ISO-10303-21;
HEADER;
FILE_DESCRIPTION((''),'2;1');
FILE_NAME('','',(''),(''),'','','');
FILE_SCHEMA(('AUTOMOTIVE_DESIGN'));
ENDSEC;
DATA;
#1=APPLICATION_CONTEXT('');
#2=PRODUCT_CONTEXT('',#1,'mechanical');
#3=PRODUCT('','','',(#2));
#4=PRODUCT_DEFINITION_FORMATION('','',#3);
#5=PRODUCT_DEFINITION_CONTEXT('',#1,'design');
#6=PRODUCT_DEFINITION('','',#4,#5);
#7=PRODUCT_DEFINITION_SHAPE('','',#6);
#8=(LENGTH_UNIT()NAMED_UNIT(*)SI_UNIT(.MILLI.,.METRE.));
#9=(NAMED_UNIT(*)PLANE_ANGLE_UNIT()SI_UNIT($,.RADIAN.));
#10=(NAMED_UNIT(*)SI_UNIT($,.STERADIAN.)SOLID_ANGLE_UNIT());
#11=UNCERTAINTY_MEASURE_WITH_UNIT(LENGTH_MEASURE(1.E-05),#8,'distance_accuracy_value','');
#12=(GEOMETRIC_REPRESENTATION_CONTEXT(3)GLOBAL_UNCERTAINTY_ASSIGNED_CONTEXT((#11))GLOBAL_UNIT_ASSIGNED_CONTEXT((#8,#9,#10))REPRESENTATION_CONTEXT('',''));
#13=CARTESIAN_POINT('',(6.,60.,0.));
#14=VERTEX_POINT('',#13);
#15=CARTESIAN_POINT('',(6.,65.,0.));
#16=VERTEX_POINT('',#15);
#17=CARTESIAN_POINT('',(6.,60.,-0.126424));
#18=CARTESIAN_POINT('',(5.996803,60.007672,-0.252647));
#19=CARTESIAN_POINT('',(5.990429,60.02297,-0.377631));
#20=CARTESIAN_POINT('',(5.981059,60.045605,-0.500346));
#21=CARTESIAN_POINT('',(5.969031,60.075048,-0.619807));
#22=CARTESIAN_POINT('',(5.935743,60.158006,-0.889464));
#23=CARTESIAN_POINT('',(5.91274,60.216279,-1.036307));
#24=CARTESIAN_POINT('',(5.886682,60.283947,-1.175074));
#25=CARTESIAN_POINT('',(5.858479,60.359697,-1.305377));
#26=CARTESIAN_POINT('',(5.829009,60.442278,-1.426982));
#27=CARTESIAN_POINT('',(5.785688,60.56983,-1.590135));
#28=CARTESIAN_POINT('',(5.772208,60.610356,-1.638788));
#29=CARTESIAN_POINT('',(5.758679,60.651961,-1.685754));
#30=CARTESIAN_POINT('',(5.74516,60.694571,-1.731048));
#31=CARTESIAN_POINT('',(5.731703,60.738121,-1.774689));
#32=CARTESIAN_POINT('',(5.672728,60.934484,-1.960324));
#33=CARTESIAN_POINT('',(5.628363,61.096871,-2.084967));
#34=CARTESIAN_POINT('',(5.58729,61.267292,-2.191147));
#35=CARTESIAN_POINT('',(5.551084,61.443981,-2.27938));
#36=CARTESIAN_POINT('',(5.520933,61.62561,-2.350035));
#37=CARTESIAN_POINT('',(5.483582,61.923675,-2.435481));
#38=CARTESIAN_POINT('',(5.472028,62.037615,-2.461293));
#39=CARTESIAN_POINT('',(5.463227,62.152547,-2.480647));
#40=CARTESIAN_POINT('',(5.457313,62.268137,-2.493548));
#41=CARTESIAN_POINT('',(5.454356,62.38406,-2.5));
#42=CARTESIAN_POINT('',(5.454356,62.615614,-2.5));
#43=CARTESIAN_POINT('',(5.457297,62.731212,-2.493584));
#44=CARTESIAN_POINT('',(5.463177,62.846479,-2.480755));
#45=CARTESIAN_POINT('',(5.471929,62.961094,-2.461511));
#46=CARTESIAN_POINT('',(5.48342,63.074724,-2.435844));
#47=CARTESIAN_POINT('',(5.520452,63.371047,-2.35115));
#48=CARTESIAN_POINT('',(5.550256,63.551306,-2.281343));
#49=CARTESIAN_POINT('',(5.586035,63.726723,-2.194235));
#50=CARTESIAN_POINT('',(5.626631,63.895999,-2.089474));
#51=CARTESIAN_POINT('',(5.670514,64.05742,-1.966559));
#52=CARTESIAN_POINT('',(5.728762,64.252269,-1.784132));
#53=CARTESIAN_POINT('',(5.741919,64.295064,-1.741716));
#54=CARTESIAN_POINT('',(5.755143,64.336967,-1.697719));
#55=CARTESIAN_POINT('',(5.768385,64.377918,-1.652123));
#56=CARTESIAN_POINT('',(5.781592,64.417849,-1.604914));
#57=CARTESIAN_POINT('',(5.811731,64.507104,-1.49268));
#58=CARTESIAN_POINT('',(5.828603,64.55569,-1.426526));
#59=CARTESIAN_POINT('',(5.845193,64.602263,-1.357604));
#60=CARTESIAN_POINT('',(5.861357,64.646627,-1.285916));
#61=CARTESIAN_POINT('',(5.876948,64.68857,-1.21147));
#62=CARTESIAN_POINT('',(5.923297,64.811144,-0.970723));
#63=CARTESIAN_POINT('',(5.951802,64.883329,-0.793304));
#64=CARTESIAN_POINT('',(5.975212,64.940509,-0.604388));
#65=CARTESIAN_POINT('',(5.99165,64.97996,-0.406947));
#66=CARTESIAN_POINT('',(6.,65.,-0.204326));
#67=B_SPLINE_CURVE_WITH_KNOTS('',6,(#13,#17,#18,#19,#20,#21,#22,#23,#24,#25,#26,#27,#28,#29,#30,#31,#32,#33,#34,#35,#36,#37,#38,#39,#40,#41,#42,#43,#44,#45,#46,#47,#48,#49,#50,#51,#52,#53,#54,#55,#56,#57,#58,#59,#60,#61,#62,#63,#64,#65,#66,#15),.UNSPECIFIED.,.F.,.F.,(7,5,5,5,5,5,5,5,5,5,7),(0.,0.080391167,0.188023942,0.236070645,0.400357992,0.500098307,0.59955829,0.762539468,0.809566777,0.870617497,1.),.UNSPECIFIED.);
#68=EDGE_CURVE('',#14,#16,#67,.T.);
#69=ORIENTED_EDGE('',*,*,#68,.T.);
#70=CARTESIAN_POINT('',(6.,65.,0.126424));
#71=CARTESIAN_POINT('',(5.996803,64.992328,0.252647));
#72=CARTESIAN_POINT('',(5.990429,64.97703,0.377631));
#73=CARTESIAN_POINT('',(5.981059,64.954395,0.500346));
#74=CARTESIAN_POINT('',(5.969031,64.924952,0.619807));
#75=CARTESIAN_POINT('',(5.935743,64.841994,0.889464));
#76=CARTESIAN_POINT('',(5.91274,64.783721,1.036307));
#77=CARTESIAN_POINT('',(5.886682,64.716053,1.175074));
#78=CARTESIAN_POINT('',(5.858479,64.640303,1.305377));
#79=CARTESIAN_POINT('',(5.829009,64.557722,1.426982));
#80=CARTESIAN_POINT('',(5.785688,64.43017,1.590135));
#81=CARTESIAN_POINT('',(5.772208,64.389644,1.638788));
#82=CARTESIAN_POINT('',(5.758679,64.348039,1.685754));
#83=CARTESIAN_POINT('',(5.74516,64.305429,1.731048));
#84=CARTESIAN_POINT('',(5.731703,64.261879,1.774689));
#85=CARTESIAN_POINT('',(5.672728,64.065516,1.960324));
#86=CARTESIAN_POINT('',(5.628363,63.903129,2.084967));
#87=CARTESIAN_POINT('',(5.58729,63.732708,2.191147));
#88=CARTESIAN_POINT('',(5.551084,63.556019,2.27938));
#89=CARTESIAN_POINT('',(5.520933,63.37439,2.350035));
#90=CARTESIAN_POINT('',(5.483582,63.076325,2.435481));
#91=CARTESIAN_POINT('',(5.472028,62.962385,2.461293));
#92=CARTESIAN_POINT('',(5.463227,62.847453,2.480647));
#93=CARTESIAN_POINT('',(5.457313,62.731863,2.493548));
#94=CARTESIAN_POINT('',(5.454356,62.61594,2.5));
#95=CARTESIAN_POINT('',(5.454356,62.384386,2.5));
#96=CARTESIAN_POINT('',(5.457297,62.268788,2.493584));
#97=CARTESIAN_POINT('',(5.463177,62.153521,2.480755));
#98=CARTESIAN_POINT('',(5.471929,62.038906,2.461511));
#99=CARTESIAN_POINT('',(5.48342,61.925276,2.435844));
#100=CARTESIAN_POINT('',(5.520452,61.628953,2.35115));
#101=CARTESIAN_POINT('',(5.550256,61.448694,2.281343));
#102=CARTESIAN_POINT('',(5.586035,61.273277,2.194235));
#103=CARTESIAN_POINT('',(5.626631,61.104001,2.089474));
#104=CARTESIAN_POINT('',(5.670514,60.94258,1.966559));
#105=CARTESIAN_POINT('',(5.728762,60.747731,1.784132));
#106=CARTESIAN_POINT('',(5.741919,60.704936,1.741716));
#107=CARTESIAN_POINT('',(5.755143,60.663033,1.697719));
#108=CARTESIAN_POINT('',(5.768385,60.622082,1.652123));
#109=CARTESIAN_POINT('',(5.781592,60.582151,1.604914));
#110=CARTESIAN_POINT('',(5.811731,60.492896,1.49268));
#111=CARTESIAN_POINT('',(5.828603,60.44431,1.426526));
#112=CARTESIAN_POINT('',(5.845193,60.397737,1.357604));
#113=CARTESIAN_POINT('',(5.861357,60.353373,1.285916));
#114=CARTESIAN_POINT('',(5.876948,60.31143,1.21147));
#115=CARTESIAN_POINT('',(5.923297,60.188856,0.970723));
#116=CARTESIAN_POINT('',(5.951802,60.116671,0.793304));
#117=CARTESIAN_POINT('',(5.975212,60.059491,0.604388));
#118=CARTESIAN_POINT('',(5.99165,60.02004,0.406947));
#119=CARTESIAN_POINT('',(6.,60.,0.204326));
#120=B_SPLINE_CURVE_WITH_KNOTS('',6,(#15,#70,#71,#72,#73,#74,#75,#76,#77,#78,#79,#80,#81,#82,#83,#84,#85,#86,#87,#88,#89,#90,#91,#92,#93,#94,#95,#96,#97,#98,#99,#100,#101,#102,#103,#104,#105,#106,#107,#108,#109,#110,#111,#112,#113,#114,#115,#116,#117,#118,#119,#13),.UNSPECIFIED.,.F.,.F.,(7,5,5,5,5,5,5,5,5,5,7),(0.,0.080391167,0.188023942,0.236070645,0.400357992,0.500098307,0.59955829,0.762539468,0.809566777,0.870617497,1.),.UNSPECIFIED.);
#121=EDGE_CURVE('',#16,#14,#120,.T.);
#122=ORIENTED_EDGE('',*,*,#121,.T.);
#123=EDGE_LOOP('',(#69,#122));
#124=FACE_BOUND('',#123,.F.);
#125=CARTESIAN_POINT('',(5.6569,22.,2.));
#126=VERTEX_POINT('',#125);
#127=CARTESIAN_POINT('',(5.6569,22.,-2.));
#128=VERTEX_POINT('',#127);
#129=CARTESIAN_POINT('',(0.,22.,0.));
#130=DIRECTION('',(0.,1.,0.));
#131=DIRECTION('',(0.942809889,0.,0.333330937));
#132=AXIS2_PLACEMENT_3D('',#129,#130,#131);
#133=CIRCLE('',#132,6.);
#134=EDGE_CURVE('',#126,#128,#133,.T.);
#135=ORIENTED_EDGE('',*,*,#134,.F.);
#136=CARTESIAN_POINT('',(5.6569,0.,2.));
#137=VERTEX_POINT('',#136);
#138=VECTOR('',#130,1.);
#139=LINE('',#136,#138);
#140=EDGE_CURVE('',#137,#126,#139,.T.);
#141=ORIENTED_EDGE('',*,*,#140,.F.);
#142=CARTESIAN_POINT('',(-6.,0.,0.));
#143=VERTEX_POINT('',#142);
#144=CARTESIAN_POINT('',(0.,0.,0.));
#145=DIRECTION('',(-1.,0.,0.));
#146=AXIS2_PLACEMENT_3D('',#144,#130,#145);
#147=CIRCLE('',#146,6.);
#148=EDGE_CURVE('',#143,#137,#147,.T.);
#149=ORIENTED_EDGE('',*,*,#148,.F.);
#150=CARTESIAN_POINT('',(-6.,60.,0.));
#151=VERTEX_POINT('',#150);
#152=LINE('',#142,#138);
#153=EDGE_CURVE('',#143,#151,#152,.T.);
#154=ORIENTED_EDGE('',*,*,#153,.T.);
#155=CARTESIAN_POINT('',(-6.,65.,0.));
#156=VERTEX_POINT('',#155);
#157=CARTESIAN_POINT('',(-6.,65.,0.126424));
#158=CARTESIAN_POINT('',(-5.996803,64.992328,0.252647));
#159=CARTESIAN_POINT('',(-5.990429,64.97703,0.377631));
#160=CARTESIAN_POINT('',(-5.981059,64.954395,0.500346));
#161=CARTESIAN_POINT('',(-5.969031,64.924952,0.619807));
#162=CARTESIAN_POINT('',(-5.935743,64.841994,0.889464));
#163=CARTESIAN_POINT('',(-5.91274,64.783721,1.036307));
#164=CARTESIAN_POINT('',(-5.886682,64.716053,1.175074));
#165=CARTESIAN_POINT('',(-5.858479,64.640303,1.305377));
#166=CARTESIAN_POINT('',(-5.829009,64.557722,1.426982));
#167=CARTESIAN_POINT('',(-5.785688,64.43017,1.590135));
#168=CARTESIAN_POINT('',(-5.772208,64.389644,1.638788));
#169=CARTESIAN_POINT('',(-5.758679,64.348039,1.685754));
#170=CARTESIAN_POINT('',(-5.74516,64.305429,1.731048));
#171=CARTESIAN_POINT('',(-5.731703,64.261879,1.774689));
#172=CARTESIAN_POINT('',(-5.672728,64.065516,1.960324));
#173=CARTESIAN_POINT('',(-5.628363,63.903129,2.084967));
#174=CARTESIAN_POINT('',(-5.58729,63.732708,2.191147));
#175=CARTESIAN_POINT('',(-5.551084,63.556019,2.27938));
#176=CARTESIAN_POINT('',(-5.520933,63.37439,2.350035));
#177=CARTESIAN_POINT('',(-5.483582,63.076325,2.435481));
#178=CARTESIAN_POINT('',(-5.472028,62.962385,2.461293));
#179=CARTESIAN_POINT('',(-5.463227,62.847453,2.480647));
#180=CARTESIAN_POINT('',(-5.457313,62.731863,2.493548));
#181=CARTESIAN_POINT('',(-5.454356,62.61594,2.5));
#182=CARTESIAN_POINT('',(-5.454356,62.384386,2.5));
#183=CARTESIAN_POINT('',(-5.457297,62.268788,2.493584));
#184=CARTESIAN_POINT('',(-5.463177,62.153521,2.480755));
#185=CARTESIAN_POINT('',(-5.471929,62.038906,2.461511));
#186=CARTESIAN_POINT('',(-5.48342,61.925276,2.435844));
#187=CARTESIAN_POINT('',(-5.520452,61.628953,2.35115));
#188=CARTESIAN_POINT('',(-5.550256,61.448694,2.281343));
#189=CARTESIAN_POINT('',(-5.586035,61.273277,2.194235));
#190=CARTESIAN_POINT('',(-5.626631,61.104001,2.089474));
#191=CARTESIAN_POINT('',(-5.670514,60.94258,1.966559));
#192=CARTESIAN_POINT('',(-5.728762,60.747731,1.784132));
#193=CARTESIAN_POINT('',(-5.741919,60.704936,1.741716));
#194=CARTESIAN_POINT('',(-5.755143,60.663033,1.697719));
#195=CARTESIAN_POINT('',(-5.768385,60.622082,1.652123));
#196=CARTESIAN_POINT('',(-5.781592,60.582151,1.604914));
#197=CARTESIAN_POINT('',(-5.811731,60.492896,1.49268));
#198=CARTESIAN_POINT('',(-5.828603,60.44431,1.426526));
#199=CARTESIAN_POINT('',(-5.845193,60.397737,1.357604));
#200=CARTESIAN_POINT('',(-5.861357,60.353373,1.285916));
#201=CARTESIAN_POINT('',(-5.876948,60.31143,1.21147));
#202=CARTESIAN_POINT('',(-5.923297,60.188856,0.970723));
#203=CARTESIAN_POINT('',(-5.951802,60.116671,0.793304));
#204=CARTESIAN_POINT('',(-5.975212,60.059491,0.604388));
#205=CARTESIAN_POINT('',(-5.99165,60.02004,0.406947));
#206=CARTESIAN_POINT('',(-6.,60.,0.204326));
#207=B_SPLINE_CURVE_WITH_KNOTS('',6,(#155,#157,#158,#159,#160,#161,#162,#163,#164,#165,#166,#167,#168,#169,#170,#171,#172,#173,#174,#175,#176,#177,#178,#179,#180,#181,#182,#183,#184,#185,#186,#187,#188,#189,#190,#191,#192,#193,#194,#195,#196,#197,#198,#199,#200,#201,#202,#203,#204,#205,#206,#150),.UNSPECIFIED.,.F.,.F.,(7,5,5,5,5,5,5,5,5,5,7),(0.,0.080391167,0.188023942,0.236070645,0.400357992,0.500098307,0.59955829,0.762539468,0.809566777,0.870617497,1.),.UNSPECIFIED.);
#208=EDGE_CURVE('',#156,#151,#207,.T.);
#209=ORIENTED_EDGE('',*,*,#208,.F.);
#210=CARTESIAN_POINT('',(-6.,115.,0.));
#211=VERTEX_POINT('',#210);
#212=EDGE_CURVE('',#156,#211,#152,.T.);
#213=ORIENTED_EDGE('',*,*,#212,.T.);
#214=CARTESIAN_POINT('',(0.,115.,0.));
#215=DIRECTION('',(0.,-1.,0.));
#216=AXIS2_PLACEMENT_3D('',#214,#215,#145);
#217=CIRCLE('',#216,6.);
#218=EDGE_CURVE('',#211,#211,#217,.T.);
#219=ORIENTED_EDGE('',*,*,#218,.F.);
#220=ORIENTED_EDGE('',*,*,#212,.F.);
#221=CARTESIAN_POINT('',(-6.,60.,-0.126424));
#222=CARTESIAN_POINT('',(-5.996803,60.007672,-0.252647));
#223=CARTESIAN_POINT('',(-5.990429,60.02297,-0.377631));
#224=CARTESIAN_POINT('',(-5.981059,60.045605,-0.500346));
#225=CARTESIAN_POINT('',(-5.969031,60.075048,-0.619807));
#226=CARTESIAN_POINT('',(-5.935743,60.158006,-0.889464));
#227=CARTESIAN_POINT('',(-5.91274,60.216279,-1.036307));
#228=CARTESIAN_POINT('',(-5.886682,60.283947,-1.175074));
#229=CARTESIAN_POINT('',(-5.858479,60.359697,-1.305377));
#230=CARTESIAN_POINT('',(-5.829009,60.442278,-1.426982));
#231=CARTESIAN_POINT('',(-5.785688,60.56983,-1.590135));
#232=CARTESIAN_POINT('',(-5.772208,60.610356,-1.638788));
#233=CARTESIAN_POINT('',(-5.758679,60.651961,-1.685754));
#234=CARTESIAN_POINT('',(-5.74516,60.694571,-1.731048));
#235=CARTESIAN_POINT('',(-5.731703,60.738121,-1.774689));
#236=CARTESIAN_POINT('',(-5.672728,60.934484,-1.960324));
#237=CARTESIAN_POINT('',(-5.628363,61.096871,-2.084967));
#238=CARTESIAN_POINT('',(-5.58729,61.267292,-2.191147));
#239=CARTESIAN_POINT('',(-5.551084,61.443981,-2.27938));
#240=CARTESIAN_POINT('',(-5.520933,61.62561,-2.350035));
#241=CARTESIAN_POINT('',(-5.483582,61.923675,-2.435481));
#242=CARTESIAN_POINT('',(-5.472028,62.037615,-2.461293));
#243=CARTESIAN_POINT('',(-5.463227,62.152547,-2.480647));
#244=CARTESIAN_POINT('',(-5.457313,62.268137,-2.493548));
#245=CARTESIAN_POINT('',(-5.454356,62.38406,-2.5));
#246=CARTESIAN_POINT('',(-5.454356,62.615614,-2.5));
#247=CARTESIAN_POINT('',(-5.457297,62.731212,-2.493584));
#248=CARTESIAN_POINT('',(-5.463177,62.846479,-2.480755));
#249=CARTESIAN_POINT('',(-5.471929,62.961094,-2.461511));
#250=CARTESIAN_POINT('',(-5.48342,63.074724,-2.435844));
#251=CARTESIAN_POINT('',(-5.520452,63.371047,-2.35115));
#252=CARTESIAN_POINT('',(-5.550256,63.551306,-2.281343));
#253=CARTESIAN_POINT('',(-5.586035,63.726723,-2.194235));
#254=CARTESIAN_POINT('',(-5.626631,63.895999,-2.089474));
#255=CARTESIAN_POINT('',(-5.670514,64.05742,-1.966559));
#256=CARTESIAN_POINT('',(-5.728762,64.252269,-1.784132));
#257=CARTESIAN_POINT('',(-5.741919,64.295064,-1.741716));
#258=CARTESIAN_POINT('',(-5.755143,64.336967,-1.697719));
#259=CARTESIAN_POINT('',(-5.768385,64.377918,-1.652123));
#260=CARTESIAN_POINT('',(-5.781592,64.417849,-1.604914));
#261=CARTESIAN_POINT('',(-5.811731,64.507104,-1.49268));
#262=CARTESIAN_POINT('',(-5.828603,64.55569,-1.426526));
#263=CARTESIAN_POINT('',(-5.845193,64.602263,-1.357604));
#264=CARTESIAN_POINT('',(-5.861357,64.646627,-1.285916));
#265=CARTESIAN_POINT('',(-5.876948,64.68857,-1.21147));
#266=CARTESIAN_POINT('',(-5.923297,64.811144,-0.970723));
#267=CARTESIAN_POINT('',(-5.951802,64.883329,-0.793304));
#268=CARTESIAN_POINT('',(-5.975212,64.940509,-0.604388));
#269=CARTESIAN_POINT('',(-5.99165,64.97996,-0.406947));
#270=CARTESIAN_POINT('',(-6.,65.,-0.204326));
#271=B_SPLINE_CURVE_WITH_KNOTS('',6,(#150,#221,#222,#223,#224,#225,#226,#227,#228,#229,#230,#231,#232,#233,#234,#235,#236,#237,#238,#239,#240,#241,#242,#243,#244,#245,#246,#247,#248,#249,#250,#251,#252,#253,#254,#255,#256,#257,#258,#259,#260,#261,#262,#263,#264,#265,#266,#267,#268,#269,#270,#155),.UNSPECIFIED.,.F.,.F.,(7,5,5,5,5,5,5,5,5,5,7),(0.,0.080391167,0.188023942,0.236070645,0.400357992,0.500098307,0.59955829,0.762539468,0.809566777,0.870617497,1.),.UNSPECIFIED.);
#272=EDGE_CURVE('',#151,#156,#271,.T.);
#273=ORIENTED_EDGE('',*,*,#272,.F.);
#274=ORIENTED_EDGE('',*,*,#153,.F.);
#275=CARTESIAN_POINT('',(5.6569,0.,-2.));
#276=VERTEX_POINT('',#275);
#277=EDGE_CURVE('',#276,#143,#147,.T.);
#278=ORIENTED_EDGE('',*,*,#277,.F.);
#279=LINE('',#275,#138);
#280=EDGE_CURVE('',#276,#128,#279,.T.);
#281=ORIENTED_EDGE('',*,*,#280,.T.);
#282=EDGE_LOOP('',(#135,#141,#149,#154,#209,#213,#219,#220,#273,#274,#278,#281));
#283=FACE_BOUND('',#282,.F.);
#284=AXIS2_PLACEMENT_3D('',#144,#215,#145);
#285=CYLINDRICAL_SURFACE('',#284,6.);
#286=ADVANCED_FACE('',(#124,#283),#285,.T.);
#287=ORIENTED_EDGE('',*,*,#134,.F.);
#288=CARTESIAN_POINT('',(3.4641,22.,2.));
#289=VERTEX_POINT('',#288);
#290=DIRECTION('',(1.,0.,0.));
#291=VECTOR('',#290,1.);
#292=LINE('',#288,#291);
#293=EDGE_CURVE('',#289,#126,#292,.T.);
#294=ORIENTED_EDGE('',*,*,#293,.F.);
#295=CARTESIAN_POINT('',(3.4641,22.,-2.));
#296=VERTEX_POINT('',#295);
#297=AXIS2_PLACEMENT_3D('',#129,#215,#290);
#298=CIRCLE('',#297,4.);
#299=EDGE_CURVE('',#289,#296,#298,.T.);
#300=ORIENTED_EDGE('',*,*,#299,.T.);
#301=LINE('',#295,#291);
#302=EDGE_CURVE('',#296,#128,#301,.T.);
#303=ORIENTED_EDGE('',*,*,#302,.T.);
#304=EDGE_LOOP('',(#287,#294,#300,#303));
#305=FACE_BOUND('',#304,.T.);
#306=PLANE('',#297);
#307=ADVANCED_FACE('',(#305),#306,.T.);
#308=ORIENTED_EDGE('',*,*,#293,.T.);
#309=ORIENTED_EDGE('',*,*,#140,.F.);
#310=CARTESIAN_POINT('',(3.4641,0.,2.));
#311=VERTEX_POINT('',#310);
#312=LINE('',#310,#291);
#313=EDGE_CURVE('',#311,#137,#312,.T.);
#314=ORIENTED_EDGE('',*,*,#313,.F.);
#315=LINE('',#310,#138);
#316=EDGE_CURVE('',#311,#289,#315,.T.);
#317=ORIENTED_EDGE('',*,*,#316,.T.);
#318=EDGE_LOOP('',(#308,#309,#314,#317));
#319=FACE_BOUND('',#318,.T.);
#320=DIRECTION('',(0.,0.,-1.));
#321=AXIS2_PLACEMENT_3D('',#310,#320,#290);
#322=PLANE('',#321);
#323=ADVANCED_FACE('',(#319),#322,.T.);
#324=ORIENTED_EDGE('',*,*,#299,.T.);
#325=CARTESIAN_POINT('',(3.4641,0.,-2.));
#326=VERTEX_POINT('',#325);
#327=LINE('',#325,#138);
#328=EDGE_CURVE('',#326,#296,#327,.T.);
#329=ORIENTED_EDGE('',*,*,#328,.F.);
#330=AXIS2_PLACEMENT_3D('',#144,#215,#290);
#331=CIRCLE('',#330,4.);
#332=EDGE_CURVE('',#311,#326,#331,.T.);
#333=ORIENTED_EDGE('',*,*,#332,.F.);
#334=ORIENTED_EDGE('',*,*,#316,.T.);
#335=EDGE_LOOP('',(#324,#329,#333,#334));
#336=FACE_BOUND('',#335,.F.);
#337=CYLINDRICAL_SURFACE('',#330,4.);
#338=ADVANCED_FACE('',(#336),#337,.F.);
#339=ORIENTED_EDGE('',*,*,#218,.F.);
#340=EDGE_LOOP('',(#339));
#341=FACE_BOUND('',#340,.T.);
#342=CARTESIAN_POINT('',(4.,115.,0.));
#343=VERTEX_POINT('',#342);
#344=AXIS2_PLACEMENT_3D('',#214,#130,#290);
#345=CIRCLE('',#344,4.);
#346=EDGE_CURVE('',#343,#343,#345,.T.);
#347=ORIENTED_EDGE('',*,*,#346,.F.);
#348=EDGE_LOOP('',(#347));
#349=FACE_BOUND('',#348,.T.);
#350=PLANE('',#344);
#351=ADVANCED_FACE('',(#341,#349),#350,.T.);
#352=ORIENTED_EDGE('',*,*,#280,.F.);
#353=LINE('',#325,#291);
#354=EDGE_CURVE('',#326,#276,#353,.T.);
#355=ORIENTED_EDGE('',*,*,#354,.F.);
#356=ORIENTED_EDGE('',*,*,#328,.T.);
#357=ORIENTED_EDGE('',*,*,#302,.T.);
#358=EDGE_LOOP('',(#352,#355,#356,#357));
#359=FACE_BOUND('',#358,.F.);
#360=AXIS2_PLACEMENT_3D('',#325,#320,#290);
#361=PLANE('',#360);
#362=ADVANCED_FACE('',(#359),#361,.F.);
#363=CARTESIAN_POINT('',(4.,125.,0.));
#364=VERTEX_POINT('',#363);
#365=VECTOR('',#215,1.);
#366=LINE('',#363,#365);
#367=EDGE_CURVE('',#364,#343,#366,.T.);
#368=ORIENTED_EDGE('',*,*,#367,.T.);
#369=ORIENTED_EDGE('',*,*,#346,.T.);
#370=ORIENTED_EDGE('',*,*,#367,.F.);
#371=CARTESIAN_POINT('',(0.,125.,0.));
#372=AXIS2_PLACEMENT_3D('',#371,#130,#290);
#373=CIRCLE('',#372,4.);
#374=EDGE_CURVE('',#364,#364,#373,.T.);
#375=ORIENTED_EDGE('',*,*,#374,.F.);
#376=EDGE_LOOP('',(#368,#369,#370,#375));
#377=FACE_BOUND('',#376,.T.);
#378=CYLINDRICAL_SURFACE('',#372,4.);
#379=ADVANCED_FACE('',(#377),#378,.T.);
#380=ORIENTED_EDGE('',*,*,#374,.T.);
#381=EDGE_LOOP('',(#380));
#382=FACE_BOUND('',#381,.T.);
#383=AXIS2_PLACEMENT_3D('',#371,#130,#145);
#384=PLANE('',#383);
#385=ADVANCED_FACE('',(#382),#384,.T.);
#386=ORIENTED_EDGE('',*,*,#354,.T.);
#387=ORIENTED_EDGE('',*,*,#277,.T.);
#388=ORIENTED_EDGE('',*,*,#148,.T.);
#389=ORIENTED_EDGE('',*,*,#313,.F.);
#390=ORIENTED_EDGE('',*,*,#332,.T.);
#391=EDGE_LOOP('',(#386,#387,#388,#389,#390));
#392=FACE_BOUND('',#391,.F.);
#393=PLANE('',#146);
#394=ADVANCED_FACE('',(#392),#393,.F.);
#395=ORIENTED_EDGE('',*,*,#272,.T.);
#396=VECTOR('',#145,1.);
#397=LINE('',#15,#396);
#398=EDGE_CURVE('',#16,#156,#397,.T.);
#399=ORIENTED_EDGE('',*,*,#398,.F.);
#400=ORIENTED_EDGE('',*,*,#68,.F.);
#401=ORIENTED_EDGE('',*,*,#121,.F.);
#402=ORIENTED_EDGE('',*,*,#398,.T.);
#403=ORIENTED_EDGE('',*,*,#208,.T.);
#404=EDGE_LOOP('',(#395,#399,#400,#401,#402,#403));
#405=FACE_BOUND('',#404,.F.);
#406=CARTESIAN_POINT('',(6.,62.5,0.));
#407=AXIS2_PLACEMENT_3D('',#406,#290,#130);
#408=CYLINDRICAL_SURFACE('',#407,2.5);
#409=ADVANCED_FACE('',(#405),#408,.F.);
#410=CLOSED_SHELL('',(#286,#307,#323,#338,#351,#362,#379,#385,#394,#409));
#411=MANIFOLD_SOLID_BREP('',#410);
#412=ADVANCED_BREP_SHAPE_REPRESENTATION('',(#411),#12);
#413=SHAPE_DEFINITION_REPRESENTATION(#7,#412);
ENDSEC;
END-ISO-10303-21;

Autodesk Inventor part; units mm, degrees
ref_plane "XZ Plane" through (0, 0, 0) normal (0, 1, 0) x (-1, 0, 0)
ref_plane "XY Plane" through (0, 0, 0) normal (0, 0, 1) x (1, 0, 0)
sketch "スケッチ1" plane through (0, 0, 0) normal (0, 1, 0) x (-1, 0, 0)
  circle A0 centre (0, 0) radius 6
  dimension "d0" = 12
extrude "押し出し1" add sketch "スケッチ1" along normal blind 125
ref_plane "作業平面1" through (6, 0, 0) normal (1, 0, 0) x (0, 1, 0)
sketch "スケッチ2" plane through (6, 0, 0) normal (1, 0, 0) x (0, 1, 0)
  circle A0 centre (62.5, 0) radius 2.5
  line L0 (125, -6) -> (125, 6) projected
  line L1 (125, 0) -> (0, 0) construction
  line L2 (0, -6) -> (0, 6) projected
  dimension "d3" = 5
  dimension "d7" = 62.5
extrude "押し出し2" cut sketch "スケッチ2" against normal through all
sketch "スケッチ3" plane through (0, 125, 0) normal (0, 1, 0) x (1, 0, 0)
  circle A0 centre (0, 0) radius 4
  circle A1 centre (0, 0) radius 6 projected
  dimension "d8" = 8
extrude "押し出し3" cut sketch "スケッチ3" against normal blind 10
sketch "スケッチ4" plane through (0, 0, 0) normal (0, -1, 0) x (1, 0, 0)
  circle A0 centre (0, 0) radius 4
  line L0 (3.4641, 2) -> (5.6569, 2)
  line L1 (3.4641, -2) -> (5.6569, -2)
  circle A1 centre (0, 0) radius 6 projected
  line L2 (0, 0) -> (6, 0) construction
  dimension "d11" = 8
  dimension "d12" = 4
extrude "押し出し4" cut sketch "スケッチ4" against normal blind 22 contours A0 | A0 L0 A1 L1 picked at (4.6336, -0.4576)
properties part number "omu_sh_jo_2" material "アルミニウム 6061-AHC"
